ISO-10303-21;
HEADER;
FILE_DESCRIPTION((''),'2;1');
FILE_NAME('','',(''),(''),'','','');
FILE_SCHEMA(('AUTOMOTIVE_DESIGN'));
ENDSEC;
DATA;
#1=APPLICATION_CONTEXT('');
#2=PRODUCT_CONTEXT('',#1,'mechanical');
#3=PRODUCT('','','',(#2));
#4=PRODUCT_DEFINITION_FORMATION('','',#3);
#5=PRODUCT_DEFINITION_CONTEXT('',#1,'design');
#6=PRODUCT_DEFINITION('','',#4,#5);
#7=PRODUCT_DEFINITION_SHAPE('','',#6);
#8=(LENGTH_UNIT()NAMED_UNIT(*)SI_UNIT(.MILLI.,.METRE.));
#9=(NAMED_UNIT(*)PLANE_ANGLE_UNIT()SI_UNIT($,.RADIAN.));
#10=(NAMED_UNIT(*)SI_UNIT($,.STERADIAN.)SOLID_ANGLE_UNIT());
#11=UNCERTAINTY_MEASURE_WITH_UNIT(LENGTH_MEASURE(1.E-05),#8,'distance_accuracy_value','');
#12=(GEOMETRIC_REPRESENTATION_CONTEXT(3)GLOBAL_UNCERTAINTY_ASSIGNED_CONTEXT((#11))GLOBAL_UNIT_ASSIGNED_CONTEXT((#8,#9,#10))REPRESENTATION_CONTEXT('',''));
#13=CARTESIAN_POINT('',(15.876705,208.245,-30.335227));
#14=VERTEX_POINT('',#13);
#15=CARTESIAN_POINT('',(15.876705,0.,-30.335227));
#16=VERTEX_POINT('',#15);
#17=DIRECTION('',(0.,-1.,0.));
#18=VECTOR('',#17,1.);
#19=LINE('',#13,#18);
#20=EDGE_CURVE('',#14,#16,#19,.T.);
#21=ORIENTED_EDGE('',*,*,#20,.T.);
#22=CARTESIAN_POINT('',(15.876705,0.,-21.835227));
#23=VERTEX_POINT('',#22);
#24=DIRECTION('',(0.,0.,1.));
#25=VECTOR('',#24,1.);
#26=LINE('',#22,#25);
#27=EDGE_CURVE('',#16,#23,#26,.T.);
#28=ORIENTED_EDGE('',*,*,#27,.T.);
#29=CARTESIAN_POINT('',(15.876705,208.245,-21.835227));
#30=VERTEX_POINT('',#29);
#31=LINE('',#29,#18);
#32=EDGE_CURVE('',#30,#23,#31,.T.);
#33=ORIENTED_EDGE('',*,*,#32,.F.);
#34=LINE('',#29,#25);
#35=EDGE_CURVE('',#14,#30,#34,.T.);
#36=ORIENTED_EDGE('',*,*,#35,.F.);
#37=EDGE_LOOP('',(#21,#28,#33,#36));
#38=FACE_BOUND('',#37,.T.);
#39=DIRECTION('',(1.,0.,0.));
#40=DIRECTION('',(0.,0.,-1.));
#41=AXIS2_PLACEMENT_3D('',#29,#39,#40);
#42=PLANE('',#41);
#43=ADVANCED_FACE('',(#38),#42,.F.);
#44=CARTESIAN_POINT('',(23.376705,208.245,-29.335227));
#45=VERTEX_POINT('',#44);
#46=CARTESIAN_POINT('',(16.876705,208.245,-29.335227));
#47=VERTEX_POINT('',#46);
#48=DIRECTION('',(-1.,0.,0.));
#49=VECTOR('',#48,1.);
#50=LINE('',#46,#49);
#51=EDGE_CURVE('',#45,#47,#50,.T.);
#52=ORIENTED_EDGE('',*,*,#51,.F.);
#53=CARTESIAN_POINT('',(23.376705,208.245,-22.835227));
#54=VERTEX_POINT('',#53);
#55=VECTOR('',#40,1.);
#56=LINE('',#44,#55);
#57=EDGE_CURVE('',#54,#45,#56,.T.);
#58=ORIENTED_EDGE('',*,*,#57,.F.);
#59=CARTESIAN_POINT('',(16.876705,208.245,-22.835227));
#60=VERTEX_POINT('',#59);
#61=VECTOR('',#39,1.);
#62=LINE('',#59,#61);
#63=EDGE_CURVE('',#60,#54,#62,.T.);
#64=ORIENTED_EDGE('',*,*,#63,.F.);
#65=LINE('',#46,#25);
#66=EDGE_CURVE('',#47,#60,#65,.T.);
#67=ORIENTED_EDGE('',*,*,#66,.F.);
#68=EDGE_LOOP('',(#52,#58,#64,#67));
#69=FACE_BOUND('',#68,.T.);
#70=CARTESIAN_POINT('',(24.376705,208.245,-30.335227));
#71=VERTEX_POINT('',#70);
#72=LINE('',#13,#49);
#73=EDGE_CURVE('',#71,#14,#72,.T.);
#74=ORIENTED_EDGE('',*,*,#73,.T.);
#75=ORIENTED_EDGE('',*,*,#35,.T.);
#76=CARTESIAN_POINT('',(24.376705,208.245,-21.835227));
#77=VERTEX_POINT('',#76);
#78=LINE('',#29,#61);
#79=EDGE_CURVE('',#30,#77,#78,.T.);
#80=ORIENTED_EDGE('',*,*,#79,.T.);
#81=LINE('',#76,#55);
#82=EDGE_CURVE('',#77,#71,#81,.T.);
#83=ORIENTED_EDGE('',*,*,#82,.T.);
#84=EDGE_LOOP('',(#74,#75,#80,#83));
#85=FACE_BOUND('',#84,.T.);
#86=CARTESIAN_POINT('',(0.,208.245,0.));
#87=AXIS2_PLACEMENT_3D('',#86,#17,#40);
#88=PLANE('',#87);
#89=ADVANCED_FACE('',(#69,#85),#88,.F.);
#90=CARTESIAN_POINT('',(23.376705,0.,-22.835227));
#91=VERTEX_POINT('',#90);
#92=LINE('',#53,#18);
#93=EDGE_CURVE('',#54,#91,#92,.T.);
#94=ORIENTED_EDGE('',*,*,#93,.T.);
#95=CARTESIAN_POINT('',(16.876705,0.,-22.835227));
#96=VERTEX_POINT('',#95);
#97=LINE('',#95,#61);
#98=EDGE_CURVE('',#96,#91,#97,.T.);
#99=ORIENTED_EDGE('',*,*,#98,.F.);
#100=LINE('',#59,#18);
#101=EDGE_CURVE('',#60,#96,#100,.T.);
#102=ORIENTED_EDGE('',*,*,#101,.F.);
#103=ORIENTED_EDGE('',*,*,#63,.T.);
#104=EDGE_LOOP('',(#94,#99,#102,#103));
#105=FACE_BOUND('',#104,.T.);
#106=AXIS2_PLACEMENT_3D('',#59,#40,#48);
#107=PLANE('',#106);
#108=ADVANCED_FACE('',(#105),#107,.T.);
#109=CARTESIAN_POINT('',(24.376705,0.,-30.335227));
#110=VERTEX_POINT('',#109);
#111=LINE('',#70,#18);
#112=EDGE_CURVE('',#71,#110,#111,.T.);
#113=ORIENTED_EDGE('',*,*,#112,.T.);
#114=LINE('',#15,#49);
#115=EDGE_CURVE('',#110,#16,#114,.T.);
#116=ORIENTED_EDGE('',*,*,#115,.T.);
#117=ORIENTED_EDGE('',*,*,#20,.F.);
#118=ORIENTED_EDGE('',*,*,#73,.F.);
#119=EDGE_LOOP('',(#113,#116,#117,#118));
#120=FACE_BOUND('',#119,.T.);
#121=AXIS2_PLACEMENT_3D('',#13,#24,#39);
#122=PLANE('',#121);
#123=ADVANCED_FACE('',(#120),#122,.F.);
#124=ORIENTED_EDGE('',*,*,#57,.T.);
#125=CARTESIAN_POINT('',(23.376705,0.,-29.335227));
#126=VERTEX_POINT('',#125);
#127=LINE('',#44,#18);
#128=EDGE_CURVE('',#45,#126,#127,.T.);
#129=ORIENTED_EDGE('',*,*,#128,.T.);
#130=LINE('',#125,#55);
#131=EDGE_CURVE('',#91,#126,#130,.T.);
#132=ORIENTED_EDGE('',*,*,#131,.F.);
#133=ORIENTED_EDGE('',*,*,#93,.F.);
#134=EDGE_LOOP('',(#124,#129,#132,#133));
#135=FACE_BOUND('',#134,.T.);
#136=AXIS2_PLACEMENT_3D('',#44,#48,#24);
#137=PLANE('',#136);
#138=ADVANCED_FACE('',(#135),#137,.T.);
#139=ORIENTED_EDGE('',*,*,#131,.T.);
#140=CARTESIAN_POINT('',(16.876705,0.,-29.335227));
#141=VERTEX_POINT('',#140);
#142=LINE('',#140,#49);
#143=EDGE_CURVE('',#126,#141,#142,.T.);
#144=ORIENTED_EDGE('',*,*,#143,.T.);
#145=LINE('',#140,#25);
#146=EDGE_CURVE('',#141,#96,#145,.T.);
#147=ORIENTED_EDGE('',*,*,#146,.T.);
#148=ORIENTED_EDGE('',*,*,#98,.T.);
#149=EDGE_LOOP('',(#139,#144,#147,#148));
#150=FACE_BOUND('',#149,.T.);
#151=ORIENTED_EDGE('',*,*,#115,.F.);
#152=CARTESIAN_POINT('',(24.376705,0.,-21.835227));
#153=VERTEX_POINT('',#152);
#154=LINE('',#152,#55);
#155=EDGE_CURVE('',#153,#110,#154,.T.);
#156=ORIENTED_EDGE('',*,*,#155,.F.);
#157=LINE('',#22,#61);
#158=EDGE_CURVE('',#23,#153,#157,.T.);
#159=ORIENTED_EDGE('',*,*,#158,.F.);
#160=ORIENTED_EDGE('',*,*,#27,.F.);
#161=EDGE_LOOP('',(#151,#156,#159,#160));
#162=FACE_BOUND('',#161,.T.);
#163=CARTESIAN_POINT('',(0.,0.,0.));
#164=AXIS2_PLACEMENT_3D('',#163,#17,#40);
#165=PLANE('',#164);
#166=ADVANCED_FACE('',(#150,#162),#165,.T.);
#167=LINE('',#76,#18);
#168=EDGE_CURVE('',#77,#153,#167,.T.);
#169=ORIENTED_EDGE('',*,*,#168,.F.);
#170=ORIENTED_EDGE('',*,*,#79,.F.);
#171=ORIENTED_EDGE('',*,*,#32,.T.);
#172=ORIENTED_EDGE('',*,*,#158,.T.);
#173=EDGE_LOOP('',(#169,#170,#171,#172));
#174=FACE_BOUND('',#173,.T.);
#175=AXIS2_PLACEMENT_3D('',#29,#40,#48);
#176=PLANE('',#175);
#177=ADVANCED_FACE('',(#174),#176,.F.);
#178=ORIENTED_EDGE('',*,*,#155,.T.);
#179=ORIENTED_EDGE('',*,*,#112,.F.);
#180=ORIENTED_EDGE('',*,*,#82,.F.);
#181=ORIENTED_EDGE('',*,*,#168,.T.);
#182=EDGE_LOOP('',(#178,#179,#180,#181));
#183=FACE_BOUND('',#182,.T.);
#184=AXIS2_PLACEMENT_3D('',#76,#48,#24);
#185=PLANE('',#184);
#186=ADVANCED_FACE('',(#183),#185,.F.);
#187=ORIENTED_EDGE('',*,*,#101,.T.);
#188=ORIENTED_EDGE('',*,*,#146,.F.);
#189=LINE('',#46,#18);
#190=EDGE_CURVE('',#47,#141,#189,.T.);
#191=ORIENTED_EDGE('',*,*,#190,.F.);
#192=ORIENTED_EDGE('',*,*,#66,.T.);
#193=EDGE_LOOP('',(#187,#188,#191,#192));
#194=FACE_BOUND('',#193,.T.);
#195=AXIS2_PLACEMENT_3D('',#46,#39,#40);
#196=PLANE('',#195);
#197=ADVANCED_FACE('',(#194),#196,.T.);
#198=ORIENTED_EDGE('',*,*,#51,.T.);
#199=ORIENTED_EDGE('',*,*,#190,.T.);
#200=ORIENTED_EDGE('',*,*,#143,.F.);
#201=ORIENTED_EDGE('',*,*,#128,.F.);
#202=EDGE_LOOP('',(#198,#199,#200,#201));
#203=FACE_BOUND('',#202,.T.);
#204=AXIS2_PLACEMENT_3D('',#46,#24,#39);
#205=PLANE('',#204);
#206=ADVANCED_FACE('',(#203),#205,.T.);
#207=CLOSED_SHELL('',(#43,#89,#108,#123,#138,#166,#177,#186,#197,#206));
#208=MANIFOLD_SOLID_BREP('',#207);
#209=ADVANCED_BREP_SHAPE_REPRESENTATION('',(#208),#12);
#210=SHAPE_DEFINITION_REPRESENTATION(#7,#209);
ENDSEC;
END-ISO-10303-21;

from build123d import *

# Parameters (mm, degrees)
SKETCH1_W           = 8.5
SKETCH1_H           = 8.5
SKETCH1_W_2         = 6.5
SKETCH1_H_2         = 6.5
BOSS_EXTRUDE1_DEPTH = 208.245


with BuildPart() as part:
    # Sketch1 → Boss-Extrude1 (new body)
    with BuildSketch(Plane(origin=(0, 0, 0), x_dir=(1, 0, 0), z_dir=(0, 1, 0))):
        with Locations((20.126704545, 26.085227273)):
            Rectangle(SKETCH1_W, SKETCH1_H)
        with Locations((20.126704545, 26.085227273)):
            Rectangle(SKETCH1_W_2, SKETCH1_H_2, mode=Mode.SUBTRACT)
    extrude(amount=BOSS_EXTRUDE1_DEPTH)


solid = part.part
